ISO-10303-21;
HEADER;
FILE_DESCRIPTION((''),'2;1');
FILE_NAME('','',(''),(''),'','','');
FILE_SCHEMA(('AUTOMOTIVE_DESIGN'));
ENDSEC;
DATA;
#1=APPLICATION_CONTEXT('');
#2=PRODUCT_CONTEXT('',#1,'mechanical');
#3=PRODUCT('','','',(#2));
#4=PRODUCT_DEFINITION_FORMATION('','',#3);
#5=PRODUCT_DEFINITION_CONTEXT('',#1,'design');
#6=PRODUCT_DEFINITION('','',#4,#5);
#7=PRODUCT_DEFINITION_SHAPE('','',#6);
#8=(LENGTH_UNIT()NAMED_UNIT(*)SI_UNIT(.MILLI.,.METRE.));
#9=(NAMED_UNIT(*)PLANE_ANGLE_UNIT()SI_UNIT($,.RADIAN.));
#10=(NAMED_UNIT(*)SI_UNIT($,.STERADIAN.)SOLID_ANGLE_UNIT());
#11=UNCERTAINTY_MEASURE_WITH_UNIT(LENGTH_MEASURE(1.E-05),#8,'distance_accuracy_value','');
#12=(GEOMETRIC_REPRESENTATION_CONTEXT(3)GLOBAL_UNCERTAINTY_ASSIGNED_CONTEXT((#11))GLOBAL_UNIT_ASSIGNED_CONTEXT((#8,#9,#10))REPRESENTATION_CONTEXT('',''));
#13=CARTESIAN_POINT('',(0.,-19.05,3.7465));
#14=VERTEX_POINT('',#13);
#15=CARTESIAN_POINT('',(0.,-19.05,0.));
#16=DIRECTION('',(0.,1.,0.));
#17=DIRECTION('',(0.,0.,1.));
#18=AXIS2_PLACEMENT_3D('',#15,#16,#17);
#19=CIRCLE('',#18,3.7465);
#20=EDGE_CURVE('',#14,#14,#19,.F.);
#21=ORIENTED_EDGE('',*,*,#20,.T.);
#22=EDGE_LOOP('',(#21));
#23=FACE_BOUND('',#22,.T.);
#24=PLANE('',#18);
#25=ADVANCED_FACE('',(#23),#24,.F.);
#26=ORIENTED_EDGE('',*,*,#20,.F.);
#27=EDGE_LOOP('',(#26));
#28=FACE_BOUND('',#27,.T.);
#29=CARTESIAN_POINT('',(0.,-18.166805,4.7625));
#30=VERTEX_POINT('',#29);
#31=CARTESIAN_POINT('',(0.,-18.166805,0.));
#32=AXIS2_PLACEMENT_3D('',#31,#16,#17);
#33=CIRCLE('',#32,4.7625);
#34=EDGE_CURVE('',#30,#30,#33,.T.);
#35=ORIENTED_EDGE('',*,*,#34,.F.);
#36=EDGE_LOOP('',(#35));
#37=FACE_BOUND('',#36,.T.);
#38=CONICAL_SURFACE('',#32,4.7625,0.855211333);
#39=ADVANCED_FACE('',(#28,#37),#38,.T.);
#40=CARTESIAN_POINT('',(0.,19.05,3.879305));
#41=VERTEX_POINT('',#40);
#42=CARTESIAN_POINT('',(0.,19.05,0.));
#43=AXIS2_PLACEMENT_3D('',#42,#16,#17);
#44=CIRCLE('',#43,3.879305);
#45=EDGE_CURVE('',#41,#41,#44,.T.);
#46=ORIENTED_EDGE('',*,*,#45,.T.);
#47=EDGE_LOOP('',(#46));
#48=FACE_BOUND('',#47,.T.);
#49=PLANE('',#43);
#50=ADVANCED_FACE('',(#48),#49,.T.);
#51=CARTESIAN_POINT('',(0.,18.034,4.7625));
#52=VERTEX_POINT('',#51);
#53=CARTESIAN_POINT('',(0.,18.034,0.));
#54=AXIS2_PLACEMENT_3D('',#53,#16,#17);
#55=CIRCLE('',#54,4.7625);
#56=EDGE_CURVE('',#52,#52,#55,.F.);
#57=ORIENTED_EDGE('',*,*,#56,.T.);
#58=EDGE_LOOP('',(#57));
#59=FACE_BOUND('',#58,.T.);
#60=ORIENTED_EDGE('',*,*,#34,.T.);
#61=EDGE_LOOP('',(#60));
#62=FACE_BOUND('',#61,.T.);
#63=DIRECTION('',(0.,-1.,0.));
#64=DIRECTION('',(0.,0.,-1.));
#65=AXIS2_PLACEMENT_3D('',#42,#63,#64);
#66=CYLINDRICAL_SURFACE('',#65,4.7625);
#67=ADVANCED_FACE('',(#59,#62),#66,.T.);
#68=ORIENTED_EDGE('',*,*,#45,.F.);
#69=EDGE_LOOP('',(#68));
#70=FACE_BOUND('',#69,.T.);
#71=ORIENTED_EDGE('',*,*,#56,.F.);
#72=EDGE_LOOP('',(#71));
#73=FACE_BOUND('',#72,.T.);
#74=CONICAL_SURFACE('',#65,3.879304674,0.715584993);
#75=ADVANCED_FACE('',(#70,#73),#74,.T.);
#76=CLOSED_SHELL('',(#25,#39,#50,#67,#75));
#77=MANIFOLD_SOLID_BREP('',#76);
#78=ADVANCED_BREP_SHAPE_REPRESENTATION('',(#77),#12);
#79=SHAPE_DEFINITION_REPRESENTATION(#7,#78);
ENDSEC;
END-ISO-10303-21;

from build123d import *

# Parameters (mm, degrees)
SKETCH1_R             = 4.7625
BOSS_EXTRUDE1_DEPTH   = 19.05
CHAMFER1_SIZE         = 1.016
CHAMFER1_SIZE2        = 0.883195326
CHAMFER1_PART_2_SIZE  = 1.016
CHAMFER1_PART_2_SIZE2 = 0.883195326


with BuildPart() as part:
    # Sketch1 → Boss-Extrude1 (new body, symmetric)
    with BuildSketch(Plane(origin=(0, 0, 0), x_dir=(1, 0, 0), z_dir=(0, 1, 0))):
        Circle(SKETCH1_R)
    extrude(amount=BOSS_EXTRUDE1_DEPTH, both=True)

    # Chamfer1
    chamfer1_edges = [part.edges().sort_by_distance(p)[0] for p in [
        (-4.7625, -19.05, 0),
    ]]
    chamfer1_side = [part.faces().sort_by_distance(p)[0] for p in [
        (0, -19.05, 0),
    ]]
    chamfer(chamfer1_edges, length=CHAMFER1_SIZE, length2=CHAMFER1_SIZE2, reference=chamfer1_side[0])

    # Chamfer1 part 2
    chamfer1_part_2_edges = [part.edges().sort_by_distance(p)[0] for p in [
        (-4.7625, 19.05, 0),
    ]]
    chamfer1_part_2_side = [part.faces().sort_by_distance(p)[0] for p in [
        (-4.7625, 0, 0),
    ]]
    chamfer(chamfer1_part_2_edges, length=CHAMFER1_PART_2_SIZE, length2=CHAMFER1_PART_2_SIZE2, reference=chamfer1_part_2_side[0])


solid = part.part
